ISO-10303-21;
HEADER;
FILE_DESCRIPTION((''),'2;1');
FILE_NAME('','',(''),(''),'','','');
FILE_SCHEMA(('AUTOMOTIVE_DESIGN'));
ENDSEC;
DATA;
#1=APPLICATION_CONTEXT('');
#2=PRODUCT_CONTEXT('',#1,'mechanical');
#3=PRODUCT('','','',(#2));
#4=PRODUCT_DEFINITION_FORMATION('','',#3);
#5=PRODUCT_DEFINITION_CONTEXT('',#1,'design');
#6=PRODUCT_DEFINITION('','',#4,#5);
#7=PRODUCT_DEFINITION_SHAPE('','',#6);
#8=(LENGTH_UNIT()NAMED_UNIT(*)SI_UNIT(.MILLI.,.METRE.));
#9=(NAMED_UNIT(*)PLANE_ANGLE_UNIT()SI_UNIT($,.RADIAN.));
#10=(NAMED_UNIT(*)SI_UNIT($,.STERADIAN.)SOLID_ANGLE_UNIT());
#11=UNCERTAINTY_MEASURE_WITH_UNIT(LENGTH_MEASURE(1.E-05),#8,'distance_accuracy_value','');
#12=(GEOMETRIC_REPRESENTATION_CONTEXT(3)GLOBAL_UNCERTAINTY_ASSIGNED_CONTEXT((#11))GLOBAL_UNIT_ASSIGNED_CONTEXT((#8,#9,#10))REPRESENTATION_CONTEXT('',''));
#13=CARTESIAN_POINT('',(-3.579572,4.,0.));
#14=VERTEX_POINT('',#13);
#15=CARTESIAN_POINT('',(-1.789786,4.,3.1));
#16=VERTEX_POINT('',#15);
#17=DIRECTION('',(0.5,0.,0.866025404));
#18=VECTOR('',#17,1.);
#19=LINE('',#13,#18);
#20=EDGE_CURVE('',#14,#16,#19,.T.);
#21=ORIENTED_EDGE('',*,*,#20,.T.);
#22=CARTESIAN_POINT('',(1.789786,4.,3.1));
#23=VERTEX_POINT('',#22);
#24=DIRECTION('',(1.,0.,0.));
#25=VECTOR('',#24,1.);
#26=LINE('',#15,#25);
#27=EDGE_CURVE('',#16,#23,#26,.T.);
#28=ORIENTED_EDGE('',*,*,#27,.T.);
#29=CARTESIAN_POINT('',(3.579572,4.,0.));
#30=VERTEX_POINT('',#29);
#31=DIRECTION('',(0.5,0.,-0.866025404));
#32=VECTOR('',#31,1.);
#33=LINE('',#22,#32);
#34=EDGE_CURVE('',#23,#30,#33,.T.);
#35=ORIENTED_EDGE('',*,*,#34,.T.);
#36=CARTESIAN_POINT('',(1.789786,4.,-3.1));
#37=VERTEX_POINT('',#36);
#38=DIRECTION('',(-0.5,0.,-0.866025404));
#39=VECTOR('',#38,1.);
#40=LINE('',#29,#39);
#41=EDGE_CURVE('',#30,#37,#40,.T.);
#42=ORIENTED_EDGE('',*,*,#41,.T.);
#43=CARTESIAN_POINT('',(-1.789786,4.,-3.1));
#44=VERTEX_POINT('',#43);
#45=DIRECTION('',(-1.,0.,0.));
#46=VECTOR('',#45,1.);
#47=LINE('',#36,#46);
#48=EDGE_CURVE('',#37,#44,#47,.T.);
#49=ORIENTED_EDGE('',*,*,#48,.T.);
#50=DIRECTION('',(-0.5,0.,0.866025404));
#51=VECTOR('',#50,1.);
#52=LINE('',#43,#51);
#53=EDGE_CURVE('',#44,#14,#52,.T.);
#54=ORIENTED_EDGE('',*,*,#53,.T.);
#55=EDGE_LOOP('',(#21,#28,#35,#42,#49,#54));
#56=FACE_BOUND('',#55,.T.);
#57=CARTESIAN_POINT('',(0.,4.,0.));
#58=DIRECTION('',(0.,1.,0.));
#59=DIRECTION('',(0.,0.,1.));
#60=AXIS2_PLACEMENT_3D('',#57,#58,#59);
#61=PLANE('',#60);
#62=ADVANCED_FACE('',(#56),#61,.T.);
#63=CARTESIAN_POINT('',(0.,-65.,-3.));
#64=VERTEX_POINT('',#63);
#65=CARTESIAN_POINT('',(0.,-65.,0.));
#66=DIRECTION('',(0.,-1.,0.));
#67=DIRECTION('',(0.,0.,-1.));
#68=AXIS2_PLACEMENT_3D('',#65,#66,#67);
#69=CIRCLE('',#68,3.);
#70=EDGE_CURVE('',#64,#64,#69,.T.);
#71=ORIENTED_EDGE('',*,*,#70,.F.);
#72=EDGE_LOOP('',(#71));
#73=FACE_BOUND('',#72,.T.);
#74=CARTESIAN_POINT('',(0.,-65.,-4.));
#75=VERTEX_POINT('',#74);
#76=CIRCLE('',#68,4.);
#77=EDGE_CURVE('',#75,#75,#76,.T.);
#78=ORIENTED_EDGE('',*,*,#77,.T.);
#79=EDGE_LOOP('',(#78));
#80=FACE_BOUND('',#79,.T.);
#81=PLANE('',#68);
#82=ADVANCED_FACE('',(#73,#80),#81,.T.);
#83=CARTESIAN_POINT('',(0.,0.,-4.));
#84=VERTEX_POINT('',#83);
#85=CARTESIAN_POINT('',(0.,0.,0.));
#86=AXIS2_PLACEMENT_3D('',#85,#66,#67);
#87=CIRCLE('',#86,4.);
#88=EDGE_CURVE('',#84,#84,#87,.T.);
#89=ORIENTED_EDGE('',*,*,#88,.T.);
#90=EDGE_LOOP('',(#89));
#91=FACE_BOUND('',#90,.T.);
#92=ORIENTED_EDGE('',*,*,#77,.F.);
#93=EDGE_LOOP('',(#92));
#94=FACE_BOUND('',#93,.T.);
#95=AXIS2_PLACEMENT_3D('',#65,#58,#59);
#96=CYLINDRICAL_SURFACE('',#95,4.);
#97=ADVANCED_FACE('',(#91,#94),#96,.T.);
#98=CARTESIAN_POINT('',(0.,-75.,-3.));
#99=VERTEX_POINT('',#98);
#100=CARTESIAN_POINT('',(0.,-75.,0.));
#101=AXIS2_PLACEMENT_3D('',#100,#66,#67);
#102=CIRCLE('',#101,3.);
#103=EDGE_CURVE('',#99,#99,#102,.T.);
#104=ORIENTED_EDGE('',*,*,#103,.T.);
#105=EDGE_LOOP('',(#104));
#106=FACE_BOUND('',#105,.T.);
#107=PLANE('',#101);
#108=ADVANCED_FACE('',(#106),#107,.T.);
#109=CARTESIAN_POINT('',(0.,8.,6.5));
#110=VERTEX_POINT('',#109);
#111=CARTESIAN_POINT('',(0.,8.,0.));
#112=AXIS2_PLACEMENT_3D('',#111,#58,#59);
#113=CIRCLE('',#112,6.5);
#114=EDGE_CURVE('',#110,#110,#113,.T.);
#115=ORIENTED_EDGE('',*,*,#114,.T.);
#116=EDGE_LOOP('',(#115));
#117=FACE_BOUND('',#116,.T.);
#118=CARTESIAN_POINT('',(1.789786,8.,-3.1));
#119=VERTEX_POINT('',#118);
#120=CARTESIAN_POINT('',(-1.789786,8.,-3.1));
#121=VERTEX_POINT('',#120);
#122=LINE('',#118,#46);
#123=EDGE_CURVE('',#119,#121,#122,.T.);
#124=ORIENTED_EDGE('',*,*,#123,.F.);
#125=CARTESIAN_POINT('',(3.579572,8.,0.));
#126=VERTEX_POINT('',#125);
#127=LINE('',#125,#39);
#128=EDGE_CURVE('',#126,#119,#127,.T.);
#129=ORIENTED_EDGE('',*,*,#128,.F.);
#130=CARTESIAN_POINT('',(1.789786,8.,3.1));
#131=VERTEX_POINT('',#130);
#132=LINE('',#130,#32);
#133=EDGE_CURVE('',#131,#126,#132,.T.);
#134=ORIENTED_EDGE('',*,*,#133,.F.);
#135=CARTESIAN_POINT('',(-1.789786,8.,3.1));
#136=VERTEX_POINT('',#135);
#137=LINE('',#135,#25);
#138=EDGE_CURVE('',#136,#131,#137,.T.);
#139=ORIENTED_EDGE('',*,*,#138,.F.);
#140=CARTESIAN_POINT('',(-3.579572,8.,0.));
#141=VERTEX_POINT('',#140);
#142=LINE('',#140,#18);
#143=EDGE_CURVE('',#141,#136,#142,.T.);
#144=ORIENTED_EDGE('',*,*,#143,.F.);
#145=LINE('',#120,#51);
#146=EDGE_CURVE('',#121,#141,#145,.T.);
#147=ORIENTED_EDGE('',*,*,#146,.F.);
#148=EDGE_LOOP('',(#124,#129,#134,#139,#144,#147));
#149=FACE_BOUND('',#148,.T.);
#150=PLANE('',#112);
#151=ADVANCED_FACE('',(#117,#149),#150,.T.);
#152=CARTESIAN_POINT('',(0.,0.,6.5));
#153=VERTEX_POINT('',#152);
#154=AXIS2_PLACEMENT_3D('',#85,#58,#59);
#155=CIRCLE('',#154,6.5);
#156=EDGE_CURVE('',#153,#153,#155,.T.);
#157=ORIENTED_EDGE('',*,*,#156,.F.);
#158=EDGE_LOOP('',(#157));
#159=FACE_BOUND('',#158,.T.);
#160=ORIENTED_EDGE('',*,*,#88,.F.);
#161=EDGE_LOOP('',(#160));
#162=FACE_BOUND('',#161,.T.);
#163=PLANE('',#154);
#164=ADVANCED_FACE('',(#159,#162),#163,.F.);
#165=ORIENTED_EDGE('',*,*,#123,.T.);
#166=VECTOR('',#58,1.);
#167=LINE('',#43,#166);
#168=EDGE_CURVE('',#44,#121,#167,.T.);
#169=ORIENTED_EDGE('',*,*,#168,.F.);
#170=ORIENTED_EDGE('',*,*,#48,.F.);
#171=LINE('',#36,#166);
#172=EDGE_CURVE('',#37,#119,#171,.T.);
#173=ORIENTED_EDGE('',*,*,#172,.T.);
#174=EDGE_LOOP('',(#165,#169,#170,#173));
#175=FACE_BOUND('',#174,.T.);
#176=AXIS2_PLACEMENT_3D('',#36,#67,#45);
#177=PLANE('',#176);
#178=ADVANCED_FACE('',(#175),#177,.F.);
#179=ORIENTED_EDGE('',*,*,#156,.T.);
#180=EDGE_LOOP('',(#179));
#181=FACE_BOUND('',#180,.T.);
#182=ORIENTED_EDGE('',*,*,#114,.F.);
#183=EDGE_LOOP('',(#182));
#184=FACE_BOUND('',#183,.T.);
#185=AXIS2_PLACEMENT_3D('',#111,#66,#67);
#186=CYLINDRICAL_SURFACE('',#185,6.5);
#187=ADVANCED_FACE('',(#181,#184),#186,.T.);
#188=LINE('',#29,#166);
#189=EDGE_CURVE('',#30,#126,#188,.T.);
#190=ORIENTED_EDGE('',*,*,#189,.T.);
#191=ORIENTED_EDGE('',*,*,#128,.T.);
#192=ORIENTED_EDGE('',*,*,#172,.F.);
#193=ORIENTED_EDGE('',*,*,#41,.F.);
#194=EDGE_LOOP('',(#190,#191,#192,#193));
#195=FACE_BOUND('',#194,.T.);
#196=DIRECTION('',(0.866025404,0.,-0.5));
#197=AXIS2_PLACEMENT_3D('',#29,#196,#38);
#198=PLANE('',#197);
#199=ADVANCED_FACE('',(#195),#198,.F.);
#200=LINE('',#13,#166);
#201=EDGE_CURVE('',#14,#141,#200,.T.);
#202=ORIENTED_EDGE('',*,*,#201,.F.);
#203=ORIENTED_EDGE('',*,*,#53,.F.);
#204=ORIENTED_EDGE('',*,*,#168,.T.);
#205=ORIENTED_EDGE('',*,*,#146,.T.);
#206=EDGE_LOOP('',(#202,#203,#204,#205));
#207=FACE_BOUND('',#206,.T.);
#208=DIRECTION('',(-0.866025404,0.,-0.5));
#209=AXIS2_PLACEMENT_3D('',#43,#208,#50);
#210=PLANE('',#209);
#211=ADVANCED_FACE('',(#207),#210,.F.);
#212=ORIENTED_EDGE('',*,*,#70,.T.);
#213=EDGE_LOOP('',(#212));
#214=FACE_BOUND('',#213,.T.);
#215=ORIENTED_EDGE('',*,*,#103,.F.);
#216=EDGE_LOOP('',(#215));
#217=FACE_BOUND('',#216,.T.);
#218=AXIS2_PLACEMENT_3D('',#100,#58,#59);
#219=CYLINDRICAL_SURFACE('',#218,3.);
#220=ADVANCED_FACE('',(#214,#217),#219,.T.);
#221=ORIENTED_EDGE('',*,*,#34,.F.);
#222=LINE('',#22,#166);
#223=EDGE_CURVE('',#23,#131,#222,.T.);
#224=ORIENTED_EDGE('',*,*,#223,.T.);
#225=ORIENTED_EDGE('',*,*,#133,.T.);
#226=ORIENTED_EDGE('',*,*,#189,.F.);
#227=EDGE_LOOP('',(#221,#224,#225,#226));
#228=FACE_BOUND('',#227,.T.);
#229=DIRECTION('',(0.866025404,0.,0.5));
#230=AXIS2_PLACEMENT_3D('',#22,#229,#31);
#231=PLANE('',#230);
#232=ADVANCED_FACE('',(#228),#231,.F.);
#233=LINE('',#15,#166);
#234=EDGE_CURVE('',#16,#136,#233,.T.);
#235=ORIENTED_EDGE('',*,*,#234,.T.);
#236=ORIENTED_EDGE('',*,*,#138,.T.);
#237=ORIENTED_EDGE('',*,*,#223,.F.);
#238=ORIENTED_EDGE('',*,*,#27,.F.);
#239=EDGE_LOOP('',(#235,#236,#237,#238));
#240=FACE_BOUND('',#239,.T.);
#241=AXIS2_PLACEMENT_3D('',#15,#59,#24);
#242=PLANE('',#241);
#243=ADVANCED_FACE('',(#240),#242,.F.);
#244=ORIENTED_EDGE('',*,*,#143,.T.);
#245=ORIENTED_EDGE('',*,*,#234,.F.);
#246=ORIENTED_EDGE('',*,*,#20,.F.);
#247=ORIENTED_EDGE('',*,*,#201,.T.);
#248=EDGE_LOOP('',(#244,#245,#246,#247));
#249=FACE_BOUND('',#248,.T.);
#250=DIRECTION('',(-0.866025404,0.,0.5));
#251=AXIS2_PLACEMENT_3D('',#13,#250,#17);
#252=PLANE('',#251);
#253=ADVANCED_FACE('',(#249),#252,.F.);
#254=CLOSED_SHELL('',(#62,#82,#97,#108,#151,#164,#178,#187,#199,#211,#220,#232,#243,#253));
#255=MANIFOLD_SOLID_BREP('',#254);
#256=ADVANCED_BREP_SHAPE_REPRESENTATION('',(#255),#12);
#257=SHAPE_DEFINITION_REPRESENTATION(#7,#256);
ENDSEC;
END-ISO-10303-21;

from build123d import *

# Parameters (mm, degrees)
SKETCH_1_R            = 6.5
EXTRUDE_255_DEPTH     = 8
CUT_EXTRUDE_389_DEPTH = 4
SKETCH_3_R            = 4
EXTRUDE_494_DEPTH     = 65
SKETCH_4_R            = 3
EXTRUDE_M6_DEPTH      = 10


with BuildPart() as part:
    # 草图1 → Extrude 255 (new body)
    with BuildSketch(Plane(origin=(0, 0, 0), x_dir=(1, 0, 0), z_dir=(0, 1, 0))):
        Circle(SKETCH_1_R)
    extrude(amount=EXTRUDE_255_DEPTH)

    # 草图2 → Cut-Extrude 389 (cut)
    with BuildSketch(Plane(origin=(0, 8, 0), x_dir=(1, 0, 0), z_dir=(0, 1, 0))):
        Polygon((3.579571669, 0), (1.789785834, 3.1), (-1.789785834, 3.1), (-3.579571669, 0), (-1.789785834, -3.1), (1.789785834, -3.1), align=None)
    extrude(amount=-CUT_EXTRUDE_389_DEPTH, mode=Mode.SUBTRACT)

    # 草图3 → Extrude 494 (add)
    with BuildSketch(Plane.XZ):
        Circle(SKETCH_3_R)
    extrude(amount=EXTRUDE_494_DEPTH)

    # 草图4 → M6螺纹 (add)
    with BuildSketch(Plane.XZ.offset(65)):
        Circle(SKETCH_4_R)
    extrude(amount=EXTRUDE_M6_DEPTH)


solid = part.part
